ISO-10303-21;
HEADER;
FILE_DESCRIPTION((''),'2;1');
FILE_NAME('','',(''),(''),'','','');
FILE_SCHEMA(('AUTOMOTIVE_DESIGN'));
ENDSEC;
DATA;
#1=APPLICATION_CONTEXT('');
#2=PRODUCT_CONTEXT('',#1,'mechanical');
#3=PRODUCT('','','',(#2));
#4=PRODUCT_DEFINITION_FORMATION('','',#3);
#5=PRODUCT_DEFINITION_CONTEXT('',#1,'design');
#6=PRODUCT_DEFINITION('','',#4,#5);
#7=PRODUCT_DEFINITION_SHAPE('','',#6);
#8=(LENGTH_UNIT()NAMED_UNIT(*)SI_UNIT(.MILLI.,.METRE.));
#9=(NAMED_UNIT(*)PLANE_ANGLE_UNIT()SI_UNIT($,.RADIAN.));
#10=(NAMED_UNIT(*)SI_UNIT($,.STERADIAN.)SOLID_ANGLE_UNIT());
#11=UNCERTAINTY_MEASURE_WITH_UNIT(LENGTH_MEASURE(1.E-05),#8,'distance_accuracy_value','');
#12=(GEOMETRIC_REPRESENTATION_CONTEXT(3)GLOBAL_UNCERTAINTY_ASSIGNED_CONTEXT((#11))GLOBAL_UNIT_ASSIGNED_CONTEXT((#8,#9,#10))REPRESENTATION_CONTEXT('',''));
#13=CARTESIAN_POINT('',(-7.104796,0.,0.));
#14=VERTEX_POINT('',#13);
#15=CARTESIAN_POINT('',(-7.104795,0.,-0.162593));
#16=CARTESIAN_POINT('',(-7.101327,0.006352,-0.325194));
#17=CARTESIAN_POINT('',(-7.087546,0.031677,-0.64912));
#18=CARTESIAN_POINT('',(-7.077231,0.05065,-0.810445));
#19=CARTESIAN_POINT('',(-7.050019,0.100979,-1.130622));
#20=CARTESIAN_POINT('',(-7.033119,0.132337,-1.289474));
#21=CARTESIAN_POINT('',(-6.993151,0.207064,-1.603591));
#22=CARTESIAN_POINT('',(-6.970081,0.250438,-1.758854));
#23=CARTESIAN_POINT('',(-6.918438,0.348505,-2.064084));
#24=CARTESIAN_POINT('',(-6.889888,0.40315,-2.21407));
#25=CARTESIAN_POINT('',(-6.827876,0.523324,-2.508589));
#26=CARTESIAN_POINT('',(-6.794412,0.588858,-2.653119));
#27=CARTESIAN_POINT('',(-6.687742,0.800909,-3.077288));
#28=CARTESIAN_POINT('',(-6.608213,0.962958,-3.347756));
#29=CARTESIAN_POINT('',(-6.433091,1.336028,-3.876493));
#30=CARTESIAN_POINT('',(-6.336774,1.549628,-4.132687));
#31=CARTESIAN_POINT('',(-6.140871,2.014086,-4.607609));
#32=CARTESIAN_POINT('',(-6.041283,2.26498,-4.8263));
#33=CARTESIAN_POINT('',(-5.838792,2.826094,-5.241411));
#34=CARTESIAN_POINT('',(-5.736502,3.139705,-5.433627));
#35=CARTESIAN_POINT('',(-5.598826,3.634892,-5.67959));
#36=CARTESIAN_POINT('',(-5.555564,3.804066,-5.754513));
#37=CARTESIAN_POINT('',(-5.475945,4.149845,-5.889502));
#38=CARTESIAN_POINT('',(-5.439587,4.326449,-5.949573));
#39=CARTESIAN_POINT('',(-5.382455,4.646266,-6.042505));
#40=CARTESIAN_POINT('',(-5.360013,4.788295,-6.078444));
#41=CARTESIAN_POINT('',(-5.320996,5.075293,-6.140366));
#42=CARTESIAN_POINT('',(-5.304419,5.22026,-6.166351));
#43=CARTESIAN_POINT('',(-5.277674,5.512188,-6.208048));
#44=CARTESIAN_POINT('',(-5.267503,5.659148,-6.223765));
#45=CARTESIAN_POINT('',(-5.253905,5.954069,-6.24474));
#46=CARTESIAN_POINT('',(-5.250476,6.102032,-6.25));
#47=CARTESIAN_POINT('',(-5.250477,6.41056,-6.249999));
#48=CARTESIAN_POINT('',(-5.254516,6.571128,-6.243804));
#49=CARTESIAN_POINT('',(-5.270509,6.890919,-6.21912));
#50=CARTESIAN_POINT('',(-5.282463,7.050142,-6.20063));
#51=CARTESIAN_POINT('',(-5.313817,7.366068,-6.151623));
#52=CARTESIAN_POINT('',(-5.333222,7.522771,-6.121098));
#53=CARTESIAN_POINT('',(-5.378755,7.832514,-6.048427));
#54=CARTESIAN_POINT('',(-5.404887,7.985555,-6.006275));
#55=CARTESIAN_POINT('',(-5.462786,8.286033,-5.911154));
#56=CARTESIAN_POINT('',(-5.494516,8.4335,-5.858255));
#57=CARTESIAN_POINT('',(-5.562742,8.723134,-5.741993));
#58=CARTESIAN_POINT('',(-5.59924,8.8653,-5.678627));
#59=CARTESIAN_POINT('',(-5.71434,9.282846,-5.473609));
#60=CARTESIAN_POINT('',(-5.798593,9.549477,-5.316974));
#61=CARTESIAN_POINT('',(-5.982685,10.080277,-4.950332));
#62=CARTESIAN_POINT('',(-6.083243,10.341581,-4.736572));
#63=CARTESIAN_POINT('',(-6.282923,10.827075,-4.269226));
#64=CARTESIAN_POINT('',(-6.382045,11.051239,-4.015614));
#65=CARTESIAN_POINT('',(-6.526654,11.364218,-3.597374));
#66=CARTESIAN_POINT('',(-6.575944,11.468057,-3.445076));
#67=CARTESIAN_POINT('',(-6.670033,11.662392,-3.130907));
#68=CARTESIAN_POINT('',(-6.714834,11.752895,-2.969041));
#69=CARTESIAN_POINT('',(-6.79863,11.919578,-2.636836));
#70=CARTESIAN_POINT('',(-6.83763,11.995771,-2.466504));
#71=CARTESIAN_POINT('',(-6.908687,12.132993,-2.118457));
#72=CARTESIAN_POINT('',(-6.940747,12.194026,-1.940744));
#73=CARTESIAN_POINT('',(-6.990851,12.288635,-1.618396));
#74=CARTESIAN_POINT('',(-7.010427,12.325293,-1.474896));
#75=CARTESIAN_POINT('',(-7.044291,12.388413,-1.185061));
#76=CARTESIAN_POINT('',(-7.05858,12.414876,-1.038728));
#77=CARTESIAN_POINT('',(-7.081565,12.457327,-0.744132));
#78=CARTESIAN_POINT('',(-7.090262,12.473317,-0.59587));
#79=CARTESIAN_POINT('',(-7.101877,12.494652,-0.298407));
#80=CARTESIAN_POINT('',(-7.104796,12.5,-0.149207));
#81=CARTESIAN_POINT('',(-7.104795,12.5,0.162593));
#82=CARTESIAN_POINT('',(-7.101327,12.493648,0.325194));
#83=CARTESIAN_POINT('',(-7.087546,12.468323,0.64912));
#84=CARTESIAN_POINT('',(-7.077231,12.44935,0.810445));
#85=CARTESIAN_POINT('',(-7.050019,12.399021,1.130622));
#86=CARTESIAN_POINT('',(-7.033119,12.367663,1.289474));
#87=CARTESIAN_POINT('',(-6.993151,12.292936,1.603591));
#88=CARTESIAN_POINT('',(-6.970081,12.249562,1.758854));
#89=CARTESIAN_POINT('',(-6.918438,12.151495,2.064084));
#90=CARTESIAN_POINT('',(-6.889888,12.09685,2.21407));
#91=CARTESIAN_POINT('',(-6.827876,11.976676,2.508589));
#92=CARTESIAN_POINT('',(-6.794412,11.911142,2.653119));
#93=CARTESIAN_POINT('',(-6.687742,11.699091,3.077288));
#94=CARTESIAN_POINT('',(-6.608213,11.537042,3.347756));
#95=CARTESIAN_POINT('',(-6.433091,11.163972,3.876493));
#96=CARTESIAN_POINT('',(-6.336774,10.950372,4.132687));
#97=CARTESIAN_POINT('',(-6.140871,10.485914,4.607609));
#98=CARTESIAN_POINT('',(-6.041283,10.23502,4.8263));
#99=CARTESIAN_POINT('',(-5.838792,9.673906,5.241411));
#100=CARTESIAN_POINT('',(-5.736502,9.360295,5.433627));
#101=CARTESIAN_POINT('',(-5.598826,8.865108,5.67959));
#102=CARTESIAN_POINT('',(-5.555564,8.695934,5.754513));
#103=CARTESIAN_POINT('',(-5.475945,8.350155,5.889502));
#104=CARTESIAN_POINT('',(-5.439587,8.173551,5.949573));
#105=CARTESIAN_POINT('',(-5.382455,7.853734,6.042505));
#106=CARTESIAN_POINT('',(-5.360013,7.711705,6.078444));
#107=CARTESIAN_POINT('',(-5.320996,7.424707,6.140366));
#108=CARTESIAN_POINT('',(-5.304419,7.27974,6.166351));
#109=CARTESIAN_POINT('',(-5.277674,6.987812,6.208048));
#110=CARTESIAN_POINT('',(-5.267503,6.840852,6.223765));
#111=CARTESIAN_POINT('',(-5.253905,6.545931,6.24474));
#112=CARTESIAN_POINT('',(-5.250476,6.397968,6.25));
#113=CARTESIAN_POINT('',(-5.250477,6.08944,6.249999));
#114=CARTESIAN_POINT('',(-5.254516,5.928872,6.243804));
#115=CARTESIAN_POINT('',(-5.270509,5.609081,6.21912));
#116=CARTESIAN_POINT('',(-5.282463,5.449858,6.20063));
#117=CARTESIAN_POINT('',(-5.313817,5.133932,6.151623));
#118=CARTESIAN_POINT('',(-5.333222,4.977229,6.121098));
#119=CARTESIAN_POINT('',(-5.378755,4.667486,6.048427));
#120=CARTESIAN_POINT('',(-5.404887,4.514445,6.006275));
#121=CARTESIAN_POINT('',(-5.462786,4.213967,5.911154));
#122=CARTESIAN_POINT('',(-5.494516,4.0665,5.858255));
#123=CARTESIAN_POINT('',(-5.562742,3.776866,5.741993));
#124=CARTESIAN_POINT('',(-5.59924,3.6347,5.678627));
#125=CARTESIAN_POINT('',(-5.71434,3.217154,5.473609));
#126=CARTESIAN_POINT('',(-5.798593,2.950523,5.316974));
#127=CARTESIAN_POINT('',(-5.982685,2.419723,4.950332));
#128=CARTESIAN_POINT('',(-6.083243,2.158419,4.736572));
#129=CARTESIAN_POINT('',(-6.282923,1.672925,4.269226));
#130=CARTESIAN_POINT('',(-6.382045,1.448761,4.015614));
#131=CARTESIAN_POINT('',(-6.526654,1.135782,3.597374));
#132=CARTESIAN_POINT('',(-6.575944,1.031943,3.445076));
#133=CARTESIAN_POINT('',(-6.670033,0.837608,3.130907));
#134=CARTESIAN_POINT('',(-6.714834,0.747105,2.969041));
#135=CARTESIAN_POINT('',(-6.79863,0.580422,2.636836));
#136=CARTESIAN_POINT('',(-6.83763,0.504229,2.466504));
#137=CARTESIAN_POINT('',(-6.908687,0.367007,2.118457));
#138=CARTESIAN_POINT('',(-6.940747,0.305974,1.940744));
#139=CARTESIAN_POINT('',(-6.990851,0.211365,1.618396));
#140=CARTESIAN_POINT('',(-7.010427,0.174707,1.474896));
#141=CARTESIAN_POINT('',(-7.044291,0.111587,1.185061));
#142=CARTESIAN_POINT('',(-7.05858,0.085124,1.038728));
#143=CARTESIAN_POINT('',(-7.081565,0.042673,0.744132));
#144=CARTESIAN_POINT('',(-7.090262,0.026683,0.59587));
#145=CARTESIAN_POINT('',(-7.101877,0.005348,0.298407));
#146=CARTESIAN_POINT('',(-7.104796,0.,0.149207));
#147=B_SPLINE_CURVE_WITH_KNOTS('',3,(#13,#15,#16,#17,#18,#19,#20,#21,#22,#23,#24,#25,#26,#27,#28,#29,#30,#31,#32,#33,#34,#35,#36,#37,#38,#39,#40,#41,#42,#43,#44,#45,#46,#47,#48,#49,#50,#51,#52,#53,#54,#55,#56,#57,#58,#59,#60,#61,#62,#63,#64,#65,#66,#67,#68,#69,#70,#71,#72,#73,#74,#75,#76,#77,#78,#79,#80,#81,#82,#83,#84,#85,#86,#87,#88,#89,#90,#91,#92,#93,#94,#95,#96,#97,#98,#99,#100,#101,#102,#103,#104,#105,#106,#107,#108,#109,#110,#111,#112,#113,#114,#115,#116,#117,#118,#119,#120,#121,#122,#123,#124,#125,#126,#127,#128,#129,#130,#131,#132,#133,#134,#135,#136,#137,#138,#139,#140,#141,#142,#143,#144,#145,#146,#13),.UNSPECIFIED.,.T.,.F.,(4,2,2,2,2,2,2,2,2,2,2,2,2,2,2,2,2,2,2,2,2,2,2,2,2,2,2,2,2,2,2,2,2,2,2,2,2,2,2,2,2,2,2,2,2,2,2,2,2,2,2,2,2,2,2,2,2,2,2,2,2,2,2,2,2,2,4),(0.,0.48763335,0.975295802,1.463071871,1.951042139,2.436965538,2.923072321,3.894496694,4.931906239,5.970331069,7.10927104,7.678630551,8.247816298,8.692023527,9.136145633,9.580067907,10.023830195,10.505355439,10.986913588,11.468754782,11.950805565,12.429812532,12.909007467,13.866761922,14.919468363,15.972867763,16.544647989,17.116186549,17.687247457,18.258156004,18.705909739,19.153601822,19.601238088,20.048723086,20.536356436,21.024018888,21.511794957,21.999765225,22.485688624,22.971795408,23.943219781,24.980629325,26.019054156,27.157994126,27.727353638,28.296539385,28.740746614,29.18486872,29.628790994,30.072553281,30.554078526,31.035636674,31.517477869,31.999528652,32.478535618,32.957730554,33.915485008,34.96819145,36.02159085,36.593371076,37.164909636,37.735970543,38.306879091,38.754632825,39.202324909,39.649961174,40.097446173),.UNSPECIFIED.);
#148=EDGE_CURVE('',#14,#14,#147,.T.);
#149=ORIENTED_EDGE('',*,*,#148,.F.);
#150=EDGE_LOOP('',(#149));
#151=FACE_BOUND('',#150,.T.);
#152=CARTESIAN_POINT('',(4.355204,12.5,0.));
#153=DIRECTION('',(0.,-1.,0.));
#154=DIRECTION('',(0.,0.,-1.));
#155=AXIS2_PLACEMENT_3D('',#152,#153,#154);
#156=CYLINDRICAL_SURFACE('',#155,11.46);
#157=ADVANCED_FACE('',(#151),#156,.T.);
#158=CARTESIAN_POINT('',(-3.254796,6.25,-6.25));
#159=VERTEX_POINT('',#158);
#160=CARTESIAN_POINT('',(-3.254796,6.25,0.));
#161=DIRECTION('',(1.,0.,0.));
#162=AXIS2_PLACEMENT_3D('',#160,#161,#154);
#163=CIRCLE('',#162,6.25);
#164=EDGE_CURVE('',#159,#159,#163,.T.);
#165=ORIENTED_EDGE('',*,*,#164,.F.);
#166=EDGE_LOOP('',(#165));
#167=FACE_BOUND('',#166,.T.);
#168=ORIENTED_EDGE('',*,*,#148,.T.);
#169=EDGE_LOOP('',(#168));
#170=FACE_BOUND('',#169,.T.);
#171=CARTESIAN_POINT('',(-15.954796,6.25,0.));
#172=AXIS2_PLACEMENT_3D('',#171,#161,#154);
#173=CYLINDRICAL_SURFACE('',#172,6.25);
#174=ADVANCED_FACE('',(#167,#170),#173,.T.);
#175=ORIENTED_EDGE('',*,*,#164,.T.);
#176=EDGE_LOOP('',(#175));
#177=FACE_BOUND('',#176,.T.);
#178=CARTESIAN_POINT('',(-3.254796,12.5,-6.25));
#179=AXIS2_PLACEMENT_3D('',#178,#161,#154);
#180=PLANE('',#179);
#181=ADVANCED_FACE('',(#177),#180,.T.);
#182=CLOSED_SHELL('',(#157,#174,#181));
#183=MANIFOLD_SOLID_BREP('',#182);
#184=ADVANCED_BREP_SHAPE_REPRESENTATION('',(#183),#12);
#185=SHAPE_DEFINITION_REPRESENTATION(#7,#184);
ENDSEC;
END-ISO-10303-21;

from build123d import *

# Parameters (mm, degrees)
EXTRUDE_1_DEPTH     = 12.5
CUT_EXTRUDE_8_DEPTH = 12.7


with BuildPart() as part:
    # 草图1 → 凸台-拉伸1 (new body)
    with BuildSketch(Plane(origin=(0, 0, 0), x_dir=(1, 0, 0), z_dir=(0, 1, 0))):
        with BuildLine():
            Line((-5.250476276, 6.25), (-3.254795665, 6.25))
            Line((-3.254795665, 6.25), (-3.254795665, -6.25))
            Line((-3.254795665, -6.25), (-5.250476276, -6.25))
            ThreePointArc((-5.250476276, -6.25), (-7.104795665, 0), (-5.250476276, 6.25))
        make_face()
    extrude(amount=EXTRUDE_1_DEPTH)

    # 草图2 → 切除-拉伸8 (cut)
    with BuildSketch(Plane(origin=(-3.254795665, 0, 0), x_dir=(0, 0, -1), z_dir=(1, 0, 0))):
        with BuildLine():
            Line((-6.25, 12.5), (-6.25, 6.25))
            ThreePointArc((-6.25, 6.25), (-4.419417382, 10.669417382), (0, 12.5))
            Line((0, 12.5), (-6.25, 12.5))
        make_face()
        with BuildLine():
            ThreePointArc((0, 12.5), (4.419417382, 10.669417382), (6.25, 6.25))
            Line((6.25, 6.25), (6.25, 12.5))
            Line((6.25, 12.5), (0, 12.5))
        make_face()
        with BuildLine():
            ThreePointArc((6.25, 6.25), (4.419417382, 1.830582618), (0, 0))
            Line((0, 0), (6.25, 0))
            Line((6.25, 0), (6.25, 6.25))
        make_face()
        with BuildLine():
            Line((-6.25, 6.25), (-6.25, 0))
            Line((-6.25, 0), (0, 0))
            ThreePointArc((0, 0), (-4.419417382, 1.830582618), (-6.25, 6.25))
        make_face()
    extrude(amount=-CUT_EXTRUDE_8_DEPTH, mode=Mode.SUBTRACT)


solid = part.part
